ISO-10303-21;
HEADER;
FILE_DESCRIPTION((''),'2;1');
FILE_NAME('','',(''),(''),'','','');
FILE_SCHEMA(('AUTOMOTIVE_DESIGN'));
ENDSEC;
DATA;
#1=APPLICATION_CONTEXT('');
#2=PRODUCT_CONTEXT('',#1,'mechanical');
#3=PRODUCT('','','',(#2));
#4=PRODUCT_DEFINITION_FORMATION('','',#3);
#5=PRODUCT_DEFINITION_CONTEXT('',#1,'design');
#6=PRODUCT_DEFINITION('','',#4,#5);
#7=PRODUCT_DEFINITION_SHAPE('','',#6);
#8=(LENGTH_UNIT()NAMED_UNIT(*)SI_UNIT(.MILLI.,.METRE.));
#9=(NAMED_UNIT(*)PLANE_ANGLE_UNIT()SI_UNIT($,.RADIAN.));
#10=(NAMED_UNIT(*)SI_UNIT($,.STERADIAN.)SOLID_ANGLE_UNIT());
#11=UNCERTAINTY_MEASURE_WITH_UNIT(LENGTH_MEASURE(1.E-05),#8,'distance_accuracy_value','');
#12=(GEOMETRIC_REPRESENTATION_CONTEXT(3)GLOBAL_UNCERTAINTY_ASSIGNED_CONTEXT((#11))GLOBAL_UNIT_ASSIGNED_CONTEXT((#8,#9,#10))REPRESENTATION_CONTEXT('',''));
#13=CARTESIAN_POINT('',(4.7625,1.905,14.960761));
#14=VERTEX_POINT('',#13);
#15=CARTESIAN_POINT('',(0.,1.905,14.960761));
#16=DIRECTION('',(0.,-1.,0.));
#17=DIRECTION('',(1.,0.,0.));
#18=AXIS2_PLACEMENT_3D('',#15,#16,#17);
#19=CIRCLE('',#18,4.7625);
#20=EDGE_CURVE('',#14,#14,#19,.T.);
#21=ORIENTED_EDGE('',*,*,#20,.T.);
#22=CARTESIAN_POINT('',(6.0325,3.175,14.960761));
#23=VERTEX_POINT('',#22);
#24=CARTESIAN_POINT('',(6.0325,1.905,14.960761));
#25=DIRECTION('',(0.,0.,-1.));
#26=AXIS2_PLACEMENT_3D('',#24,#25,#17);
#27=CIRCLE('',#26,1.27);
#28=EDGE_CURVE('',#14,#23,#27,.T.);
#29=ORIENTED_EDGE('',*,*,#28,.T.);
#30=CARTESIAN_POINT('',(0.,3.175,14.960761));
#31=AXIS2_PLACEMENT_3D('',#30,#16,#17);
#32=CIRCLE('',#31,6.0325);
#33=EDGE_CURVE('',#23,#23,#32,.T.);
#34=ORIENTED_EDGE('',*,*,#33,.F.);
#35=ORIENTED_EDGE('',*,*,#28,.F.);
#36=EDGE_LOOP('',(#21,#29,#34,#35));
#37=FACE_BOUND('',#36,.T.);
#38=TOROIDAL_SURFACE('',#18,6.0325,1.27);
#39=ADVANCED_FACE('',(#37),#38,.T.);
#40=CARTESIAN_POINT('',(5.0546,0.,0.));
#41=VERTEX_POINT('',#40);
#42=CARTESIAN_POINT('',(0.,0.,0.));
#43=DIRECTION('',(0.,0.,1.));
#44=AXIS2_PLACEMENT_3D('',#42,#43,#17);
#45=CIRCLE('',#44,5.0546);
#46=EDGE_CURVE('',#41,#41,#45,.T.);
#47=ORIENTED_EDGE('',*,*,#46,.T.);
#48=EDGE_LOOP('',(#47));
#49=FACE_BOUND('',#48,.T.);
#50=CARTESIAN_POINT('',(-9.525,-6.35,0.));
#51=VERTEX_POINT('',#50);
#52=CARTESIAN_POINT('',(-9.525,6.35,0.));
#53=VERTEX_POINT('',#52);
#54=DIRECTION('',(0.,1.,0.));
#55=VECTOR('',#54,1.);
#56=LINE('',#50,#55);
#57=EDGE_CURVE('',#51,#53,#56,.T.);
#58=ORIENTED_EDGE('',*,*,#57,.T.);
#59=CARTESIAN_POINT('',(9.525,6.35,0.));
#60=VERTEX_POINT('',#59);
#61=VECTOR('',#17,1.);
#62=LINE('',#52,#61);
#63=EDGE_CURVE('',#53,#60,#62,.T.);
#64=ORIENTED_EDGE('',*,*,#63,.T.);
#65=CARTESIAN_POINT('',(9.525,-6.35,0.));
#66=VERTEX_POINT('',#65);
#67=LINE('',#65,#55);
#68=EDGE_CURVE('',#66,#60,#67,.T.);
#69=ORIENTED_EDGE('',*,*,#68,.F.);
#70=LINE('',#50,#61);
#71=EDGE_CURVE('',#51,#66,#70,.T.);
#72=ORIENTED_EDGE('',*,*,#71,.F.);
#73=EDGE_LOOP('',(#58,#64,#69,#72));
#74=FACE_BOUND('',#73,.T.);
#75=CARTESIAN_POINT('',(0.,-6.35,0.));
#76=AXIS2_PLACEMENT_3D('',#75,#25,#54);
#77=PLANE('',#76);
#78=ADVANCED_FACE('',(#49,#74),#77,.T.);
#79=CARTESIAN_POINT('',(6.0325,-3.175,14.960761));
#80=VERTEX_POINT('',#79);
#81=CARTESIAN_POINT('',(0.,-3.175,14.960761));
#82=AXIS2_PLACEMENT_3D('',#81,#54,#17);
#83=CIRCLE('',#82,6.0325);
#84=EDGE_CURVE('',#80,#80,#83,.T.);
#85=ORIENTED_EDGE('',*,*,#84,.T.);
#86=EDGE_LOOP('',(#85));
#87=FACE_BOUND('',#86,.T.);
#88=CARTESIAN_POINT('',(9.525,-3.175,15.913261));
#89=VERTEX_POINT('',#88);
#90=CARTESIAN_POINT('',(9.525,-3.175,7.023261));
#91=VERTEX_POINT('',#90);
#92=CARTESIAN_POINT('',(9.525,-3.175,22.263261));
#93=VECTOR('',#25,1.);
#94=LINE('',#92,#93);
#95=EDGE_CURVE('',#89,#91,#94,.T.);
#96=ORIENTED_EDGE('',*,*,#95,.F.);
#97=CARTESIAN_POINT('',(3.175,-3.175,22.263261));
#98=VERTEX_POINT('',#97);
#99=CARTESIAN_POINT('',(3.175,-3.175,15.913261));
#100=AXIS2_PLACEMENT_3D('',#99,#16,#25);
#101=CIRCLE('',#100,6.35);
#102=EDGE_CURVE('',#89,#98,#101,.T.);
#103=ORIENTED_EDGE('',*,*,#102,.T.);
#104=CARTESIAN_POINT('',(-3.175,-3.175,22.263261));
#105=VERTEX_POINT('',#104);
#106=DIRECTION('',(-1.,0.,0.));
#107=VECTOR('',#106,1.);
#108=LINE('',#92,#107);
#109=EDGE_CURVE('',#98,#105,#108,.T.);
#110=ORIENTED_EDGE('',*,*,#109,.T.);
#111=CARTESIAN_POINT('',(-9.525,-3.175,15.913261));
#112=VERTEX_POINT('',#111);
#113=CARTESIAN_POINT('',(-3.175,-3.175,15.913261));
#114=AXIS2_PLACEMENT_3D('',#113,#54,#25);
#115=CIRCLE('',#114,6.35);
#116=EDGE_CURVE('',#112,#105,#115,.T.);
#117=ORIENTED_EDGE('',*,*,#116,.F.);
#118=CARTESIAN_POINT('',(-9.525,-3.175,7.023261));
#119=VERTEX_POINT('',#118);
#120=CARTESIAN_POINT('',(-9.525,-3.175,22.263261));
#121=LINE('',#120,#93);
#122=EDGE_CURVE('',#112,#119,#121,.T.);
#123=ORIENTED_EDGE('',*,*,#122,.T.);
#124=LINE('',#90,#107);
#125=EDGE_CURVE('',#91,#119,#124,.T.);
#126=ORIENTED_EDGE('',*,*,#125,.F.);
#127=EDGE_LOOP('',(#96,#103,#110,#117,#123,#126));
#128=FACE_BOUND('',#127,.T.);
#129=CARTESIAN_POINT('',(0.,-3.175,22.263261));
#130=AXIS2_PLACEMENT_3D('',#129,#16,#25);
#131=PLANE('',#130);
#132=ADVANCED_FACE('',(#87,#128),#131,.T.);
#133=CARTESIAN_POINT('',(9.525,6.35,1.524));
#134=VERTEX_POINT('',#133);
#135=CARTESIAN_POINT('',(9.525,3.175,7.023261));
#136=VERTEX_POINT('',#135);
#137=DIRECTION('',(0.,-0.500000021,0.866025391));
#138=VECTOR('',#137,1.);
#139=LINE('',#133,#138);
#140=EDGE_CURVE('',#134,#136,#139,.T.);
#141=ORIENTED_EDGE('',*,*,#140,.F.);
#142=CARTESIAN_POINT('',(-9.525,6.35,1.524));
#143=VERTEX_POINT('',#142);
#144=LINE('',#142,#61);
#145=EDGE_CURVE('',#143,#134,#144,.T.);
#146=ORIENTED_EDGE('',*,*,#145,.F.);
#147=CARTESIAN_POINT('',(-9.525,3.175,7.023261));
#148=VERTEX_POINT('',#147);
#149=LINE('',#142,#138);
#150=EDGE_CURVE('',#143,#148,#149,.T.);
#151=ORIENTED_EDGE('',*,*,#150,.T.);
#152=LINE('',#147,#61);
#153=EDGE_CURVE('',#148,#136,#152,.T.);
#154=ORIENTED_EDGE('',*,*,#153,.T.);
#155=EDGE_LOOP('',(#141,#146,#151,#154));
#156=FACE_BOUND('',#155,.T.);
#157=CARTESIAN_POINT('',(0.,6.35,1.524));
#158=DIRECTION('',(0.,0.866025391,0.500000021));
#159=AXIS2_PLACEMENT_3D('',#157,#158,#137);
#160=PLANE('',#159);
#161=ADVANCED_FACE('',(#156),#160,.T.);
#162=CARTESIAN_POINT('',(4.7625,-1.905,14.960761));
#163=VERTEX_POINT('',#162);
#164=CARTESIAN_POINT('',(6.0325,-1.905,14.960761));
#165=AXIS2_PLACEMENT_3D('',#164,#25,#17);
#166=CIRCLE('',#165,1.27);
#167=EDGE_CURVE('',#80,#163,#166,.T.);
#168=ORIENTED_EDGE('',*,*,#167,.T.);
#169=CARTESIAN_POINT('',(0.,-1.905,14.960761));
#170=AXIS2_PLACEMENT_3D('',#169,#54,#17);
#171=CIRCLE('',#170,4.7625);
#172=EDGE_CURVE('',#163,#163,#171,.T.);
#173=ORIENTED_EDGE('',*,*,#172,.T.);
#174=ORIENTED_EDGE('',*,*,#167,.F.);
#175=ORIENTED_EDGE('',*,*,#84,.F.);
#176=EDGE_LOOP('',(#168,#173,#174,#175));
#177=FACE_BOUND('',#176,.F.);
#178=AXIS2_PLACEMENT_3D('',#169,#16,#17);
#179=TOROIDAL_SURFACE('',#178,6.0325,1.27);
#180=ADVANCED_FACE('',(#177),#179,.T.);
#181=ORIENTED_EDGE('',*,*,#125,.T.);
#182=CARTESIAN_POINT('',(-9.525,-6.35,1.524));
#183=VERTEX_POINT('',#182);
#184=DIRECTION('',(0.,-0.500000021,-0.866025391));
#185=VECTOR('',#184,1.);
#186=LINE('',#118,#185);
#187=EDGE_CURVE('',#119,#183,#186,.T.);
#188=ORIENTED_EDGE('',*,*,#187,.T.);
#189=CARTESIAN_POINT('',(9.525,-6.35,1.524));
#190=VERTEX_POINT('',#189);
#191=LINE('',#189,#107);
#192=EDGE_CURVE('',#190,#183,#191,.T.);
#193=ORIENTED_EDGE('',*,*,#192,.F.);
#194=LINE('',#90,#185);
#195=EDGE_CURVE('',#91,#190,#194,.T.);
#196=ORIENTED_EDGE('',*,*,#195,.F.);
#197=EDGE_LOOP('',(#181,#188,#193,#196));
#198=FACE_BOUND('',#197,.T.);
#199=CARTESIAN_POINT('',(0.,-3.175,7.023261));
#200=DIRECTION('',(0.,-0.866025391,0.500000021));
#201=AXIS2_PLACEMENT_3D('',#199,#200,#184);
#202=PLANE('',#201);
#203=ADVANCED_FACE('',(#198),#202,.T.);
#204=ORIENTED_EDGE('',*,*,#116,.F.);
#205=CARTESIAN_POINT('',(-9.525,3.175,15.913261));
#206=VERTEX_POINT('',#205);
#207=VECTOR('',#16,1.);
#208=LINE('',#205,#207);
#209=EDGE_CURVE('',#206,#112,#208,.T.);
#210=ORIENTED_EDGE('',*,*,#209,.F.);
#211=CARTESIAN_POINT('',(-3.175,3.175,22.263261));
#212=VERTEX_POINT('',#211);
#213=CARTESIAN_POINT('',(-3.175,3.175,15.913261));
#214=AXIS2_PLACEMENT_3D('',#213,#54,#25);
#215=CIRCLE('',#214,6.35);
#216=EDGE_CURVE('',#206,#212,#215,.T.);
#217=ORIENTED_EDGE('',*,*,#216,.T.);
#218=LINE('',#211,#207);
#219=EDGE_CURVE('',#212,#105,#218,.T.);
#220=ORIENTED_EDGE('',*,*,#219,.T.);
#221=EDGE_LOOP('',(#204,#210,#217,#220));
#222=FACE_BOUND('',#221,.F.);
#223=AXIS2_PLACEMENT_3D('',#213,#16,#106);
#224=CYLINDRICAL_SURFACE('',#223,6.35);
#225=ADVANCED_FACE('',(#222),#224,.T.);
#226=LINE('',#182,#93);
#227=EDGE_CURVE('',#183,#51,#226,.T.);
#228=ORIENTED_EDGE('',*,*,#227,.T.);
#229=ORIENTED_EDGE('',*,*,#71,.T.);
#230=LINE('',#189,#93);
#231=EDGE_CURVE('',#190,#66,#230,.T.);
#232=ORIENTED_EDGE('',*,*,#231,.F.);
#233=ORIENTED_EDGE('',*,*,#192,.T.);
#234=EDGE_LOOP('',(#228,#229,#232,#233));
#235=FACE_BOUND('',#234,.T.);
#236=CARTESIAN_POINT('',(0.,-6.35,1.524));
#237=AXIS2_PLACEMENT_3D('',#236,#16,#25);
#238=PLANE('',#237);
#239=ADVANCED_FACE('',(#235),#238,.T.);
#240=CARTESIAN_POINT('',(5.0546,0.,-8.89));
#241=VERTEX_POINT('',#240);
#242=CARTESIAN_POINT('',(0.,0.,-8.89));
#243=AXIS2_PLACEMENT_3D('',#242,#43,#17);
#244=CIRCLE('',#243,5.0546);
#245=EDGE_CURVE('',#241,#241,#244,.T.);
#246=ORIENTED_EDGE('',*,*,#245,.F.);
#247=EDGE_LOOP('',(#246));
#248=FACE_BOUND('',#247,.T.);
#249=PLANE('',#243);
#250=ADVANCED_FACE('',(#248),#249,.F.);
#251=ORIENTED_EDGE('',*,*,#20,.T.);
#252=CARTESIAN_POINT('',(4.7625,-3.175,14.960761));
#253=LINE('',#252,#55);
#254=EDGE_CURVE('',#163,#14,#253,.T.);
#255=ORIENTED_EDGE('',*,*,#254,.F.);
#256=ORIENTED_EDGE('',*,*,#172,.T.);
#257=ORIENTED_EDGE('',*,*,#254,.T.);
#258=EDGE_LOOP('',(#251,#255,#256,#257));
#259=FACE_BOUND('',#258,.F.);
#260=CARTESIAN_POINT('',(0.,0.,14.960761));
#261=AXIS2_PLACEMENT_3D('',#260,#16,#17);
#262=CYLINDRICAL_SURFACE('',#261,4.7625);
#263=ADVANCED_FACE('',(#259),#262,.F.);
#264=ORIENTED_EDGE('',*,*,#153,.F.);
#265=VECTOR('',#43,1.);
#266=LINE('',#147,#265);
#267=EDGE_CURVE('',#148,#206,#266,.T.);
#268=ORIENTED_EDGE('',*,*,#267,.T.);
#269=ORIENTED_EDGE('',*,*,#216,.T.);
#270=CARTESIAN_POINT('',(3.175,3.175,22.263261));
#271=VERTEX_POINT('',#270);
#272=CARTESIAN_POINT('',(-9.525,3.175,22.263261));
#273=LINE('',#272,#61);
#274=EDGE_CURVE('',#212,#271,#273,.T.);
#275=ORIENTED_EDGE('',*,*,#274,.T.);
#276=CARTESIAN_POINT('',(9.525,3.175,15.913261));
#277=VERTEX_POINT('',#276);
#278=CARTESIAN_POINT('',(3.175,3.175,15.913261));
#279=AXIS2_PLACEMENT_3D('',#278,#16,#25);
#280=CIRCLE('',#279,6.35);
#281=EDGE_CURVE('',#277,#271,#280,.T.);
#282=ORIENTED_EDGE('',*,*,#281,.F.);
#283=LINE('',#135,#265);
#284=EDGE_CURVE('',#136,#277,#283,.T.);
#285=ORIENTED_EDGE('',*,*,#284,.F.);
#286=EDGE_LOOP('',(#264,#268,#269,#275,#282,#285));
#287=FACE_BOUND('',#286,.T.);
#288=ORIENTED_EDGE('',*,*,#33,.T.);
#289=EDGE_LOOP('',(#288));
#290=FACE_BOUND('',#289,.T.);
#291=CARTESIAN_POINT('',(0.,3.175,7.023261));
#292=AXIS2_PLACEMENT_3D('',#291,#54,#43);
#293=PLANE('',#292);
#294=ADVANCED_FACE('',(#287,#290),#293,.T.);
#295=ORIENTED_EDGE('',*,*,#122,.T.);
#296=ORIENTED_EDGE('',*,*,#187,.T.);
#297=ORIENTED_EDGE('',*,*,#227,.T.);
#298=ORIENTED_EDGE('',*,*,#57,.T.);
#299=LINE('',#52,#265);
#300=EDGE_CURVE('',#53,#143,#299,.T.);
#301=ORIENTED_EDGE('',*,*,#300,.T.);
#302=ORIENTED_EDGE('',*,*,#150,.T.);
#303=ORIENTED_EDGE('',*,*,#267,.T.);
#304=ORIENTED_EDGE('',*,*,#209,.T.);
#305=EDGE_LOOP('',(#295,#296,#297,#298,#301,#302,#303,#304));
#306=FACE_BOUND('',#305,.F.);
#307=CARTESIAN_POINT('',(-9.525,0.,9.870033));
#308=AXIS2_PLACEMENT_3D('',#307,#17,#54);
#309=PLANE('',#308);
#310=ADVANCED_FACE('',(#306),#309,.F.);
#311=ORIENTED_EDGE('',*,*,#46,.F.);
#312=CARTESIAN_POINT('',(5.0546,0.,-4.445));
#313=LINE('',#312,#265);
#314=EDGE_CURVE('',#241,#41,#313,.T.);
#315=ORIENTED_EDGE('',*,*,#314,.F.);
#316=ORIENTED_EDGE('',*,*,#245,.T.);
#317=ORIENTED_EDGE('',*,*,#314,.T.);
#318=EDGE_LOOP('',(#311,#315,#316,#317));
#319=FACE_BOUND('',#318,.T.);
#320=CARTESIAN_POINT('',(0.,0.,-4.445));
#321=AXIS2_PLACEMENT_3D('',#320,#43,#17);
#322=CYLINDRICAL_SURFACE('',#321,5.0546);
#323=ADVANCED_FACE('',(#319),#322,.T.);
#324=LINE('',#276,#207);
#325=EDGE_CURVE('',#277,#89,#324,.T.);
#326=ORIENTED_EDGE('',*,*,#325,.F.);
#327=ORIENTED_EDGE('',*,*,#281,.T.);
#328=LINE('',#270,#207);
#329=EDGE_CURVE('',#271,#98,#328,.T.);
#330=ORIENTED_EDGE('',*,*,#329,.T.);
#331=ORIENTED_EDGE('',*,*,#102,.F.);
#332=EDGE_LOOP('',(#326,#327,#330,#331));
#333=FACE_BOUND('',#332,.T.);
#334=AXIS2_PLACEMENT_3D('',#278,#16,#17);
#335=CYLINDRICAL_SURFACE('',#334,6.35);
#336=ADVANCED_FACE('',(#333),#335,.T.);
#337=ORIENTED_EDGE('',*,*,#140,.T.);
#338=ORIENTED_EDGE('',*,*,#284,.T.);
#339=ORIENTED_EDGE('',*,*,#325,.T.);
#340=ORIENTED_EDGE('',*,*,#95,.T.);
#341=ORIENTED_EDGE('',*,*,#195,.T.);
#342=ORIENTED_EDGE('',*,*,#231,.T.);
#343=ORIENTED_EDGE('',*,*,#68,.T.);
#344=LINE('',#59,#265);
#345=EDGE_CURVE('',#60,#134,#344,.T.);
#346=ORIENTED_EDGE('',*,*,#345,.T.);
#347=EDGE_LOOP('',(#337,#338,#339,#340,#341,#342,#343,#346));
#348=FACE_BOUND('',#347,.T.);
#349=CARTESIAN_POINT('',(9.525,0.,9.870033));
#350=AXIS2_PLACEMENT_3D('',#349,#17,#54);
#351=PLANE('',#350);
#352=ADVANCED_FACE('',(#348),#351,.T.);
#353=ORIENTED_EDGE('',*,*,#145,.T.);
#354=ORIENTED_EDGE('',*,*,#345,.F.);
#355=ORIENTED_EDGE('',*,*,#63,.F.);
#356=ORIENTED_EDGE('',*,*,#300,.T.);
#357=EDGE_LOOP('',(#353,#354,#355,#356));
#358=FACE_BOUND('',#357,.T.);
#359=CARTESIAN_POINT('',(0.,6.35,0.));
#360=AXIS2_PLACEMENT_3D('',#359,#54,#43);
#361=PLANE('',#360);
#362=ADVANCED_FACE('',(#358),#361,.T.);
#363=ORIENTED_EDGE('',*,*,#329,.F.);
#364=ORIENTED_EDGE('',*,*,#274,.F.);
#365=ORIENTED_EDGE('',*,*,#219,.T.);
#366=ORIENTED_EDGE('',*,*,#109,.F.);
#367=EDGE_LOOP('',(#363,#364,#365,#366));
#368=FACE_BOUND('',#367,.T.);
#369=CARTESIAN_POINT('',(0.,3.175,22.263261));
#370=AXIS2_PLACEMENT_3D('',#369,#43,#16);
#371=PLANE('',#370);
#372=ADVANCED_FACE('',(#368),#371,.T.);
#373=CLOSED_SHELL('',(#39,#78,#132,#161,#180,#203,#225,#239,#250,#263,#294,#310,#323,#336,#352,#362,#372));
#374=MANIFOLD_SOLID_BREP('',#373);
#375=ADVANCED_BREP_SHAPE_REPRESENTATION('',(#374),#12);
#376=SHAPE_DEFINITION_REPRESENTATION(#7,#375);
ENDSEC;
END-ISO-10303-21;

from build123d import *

# Parameters (mm, degrees)
F0_W          = 5.0546
F0_H          = 8.89
F3_DEPTH      = 9.525
F4_R          = 6.35
F5_R          = 4.7625
F6_DEPTH      = 6.351
F6_DEPTH_BACK = 6.351
F7_R          = 1.27


with BuildPart() as f1:
    # F0 (on Front) → F1 (revolve)
    with BuildSketch(Plane.XZ):
        with Locations((2.5273, -4.445)):
            Rectangle(F0_W, F0_H)
    revolve(axis=Axis((0, 0, -4.445), (0, 0, 1)))

    # F2 (on Right) → F3 (join, symmetric)
    with BuildSketch(Plane.YZ):
        Polygon((-6.35, 1.524), (-6.35, 0), (6.35, 0), (6.35, 1.524), (3.175, 7.023261), (3.175, 22.263261), (-3.175, 22.263261), (-3.175, 7.023261), align=None)
    extrude(amount=F3_DEPTH, both=True)

    # F4
    f4_edges = [f1.edges().sort_by_distance(p)[0] for p in [
        (9.525, 0, 22.263261),
        (-9.525, 0, 22.263261),
    ]]
    fillet(f4_edges, radius=F4_R)

    # F5 (on Front) → F6 (cut, two sides)
    with BuildSketch(Plane.XZ) as f6_sk:
        with Locations((0, 14.960761)):
            Circle(F5_R)
    extrude(amount=F6_DEPTH, mode=Mode.SUBTRACT)
    extrude(f6_sk.sketch, amount=-F6_DEPTH_BACK, mode=Mode.SUBTRACT)

    # F7
    f7_edges = [f1.edges().sort_by_distance(p)[0] for p in [
        (-4.7625, -3.175, 14.960761),
        (-4.7625, 3.175, 14.960761),
    ]]
    fillet(f7_edges, radius=F7_R)


solid = f1.part
